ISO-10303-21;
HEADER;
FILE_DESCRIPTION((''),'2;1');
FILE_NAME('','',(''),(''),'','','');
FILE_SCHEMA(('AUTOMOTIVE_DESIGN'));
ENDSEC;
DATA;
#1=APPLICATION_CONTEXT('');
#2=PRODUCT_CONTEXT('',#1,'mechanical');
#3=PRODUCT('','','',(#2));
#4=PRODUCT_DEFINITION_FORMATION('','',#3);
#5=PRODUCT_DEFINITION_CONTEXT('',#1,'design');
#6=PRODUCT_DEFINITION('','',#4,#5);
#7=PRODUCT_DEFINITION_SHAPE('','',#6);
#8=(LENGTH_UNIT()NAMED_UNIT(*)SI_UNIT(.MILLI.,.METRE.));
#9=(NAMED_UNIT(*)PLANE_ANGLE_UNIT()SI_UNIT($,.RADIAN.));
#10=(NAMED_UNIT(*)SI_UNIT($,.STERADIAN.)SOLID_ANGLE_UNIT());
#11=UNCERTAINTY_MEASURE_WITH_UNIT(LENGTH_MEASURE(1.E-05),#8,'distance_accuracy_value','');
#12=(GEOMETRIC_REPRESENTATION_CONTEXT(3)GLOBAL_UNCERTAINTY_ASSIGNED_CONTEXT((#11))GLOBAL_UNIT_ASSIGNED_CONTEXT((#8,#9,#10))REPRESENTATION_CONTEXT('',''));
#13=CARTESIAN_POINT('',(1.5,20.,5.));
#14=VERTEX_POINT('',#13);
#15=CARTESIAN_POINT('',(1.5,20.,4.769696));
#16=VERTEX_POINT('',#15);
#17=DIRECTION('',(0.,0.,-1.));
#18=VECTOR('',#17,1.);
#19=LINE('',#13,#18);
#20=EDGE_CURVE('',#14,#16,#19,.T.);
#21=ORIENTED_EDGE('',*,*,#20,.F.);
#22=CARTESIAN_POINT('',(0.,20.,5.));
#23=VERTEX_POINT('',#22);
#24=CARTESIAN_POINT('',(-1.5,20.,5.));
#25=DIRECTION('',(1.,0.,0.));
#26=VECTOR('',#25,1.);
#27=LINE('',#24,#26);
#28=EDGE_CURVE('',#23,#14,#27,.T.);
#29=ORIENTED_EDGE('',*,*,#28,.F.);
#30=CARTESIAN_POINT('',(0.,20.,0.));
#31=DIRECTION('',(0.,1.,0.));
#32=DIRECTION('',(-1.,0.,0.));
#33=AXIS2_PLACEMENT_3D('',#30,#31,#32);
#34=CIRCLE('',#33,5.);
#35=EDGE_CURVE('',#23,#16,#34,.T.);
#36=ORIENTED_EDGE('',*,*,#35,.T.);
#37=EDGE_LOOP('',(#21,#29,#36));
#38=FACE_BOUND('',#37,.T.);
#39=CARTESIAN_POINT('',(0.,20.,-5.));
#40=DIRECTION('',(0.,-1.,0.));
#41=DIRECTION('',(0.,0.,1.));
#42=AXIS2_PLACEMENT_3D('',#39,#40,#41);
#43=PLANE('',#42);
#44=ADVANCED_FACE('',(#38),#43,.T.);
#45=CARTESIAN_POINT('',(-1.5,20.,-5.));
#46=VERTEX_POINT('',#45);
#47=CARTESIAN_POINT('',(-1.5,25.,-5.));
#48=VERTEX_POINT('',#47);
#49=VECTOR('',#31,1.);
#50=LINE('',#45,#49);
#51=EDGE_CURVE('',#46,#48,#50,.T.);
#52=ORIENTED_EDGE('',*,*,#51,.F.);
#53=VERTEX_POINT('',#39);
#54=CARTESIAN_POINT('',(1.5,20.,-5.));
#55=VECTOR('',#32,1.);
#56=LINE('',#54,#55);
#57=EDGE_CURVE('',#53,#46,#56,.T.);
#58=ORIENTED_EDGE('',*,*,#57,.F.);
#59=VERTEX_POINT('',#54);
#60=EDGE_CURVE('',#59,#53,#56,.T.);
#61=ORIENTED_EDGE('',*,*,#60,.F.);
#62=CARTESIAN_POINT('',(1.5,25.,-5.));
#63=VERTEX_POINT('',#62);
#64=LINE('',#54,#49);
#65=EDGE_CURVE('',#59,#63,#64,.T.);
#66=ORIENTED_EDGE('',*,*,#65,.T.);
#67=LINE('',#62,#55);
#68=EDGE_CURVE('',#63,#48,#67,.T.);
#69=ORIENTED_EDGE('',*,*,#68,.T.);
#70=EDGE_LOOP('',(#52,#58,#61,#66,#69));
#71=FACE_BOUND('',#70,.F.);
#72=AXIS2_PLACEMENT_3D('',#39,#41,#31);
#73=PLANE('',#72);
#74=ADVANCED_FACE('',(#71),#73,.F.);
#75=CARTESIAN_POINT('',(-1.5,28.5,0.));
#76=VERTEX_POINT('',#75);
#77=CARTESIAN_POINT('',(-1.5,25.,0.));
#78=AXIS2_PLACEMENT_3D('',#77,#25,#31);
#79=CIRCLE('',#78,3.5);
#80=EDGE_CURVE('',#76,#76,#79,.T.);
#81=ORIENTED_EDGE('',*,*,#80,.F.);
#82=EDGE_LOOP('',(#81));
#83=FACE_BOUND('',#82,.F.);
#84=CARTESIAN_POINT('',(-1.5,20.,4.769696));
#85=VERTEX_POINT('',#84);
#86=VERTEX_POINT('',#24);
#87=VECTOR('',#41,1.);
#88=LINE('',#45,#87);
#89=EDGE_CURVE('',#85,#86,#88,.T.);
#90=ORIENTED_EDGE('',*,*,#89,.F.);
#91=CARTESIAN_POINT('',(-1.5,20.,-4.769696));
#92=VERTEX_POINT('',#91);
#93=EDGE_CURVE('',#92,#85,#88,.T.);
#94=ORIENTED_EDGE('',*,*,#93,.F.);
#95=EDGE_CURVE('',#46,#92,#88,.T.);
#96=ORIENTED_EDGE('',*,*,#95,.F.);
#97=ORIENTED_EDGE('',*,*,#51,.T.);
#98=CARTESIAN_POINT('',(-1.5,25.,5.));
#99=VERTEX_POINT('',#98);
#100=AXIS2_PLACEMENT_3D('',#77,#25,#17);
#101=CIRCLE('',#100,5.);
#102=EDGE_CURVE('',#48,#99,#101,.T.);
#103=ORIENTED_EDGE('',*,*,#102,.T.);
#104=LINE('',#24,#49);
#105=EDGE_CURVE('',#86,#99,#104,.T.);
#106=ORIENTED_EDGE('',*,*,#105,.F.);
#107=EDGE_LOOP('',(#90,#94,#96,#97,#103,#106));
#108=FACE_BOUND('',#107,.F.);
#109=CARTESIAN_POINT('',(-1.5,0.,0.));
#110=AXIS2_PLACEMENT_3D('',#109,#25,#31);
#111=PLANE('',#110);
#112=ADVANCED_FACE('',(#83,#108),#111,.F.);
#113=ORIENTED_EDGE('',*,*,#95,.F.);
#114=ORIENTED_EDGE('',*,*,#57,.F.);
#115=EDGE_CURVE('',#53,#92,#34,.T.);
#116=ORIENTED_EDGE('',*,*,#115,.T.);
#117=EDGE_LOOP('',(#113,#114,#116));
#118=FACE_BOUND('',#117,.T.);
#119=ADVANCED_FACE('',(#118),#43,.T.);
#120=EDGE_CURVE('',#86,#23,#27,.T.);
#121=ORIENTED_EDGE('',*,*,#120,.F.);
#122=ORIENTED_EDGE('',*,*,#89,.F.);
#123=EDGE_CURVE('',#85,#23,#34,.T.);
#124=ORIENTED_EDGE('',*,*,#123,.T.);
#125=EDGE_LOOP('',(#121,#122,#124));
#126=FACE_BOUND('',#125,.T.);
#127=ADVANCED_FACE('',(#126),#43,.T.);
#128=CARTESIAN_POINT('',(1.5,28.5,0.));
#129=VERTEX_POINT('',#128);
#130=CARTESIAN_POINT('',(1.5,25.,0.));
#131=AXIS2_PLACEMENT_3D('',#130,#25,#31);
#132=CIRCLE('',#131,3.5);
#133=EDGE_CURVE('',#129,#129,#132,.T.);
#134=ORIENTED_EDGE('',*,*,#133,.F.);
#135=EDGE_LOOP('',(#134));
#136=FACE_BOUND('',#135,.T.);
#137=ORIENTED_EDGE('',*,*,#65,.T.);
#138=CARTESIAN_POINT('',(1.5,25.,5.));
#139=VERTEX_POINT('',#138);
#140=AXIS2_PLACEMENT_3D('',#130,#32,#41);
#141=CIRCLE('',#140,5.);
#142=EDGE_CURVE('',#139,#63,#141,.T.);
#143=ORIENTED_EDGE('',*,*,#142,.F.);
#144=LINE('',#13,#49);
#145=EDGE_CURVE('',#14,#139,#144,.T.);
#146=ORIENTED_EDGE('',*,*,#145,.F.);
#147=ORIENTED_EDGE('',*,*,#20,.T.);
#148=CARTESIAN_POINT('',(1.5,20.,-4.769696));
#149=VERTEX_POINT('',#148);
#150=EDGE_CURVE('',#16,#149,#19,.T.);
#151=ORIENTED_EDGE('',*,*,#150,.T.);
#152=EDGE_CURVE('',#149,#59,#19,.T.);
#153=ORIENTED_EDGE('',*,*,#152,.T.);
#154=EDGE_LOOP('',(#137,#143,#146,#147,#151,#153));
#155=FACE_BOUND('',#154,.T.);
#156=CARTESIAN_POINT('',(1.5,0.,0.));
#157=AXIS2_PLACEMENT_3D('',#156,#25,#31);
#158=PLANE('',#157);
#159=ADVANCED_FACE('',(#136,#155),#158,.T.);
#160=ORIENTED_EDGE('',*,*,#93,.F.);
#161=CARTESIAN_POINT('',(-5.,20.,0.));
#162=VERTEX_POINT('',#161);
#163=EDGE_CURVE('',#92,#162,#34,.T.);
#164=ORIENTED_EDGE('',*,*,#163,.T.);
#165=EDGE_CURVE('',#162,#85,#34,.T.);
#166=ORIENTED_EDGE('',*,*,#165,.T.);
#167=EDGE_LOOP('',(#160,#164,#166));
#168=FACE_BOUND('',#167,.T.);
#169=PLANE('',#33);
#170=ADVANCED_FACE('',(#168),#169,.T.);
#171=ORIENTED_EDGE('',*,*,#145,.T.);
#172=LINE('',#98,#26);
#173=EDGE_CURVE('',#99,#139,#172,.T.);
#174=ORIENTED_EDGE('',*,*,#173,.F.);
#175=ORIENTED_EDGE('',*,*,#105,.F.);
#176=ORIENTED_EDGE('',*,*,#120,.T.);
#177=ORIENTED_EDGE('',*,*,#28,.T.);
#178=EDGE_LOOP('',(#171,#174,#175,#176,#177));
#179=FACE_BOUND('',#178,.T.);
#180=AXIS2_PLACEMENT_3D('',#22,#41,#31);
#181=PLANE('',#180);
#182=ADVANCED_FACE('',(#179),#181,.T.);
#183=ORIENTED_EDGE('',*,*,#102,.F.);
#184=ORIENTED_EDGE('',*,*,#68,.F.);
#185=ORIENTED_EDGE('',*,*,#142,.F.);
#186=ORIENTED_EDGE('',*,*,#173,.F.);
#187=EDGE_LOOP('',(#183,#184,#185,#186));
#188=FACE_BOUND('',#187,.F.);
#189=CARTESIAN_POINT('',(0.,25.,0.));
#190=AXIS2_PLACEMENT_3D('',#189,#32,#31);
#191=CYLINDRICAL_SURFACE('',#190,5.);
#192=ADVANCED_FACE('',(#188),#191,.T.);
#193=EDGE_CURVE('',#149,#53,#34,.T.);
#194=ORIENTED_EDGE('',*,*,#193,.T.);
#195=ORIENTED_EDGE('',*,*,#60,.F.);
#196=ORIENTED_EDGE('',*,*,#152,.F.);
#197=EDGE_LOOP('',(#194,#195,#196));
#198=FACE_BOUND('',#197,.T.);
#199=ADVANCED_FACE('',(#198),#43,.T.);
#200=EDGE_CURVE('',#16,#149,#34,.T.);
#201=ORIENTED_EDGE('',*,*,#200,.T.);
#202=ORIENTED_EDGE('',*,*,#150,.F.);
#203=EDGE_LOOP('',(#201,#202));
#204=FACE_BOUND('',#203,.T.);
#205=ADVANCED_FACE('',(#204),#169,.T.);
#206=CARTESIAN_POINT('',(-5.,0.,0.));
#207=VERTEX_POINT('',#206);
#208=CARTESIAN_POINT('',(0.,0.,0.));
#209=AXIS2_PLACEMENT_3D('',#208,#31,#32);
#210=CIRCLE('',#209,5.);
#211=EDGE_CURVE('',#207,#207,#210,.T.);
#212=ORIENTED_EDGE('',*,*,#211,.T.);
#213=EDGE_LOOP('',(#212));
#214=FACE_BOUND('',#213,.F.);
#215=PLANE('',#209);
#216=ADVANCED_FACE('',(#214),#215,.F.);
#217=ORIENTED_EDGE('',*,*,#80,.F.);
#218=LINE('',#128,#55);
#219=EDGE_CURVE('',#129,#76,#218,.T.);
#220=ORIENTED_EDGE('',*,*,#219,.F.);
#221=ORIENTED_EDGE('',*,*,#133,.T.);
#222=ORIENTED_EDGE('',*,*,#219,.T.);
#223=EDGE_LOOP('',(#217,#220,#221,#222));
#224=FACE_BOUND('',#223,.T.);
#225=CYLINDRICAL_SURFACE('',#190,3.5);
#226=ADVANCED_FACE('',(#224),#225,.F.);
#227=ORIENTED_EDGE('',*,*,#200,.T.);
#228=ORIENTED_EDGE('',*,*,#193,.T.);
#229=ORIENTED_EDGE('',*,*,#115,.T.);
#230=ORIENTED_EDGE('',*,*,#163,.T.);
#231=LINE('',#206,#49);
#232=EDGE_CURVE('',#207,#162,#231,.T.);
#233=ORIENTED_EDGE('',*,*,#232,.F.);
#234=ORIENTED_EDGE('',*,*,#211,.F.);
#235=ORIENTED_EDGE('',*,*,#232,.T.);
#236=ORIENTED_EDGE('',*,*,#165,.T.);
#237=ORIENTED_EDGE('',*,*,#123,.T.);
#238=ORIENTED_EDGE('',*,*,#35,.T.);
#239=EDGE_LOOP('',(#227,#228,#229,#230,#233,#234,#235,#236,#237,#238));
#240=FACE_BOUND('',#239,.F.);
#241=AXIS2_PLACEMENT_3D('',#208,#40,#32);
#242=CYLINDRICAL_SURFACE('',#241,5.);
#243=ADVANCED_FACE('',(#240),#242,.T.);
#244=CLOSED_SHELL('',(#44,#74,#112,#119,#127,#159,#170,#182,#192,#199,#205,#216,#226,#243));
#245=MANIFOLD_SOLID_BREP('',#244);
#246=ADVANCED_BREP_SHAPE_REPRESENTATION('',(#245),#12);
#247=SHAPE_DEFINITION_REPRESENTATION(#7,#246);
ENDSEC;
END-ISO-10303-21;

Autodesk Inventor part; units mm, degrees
ref_plane "YZ Plane" through (0, 0, 0) normal (1, 0, 0) x (0, 1, 0)
ref_plane "XZ Plane" through (0, 0, 0) normal (0, 1, 0) x (-1, 0, 0)
ref_plane "XY Plane" through (0, 0, 0) normal (0, 0, 1) x (1, 0, 0)
sketch "Sketch3" plane through (0, 0, 0) normal (0, 1, 0) x (-1, 0, 0)
  circle A0 centre (0, 0) radius 5
  dimension "d8" = 10
extrude "Extrusion3" add sketch "Sketch3" along normal blind 20
sketch "Sketch4" plane through (0, 0, 0) normal (1, 0, 0) x (0, 1, 0)
  circle A0 centre (25, 0) radius 3.5
  circle A1 centre (25, 0) radius 5
  line L0 (20, -5) -> (20, 5) projected
  line L1 (20, -5) -> (25, -5)
  line L2 (20, 5) -> (25, 5)
  point P0 (0, 0)
  point P1 (25, 5)
  point P2 (52.9865, 4.5767)
  point P3 (20, 0)
  dimension "d11" = 7
  dimension "d12" = 10
extrude "Extrusion4" add sketch "Sketch4" along normal mid plane 3
properties part number "FP V2 Z Axis connector"
